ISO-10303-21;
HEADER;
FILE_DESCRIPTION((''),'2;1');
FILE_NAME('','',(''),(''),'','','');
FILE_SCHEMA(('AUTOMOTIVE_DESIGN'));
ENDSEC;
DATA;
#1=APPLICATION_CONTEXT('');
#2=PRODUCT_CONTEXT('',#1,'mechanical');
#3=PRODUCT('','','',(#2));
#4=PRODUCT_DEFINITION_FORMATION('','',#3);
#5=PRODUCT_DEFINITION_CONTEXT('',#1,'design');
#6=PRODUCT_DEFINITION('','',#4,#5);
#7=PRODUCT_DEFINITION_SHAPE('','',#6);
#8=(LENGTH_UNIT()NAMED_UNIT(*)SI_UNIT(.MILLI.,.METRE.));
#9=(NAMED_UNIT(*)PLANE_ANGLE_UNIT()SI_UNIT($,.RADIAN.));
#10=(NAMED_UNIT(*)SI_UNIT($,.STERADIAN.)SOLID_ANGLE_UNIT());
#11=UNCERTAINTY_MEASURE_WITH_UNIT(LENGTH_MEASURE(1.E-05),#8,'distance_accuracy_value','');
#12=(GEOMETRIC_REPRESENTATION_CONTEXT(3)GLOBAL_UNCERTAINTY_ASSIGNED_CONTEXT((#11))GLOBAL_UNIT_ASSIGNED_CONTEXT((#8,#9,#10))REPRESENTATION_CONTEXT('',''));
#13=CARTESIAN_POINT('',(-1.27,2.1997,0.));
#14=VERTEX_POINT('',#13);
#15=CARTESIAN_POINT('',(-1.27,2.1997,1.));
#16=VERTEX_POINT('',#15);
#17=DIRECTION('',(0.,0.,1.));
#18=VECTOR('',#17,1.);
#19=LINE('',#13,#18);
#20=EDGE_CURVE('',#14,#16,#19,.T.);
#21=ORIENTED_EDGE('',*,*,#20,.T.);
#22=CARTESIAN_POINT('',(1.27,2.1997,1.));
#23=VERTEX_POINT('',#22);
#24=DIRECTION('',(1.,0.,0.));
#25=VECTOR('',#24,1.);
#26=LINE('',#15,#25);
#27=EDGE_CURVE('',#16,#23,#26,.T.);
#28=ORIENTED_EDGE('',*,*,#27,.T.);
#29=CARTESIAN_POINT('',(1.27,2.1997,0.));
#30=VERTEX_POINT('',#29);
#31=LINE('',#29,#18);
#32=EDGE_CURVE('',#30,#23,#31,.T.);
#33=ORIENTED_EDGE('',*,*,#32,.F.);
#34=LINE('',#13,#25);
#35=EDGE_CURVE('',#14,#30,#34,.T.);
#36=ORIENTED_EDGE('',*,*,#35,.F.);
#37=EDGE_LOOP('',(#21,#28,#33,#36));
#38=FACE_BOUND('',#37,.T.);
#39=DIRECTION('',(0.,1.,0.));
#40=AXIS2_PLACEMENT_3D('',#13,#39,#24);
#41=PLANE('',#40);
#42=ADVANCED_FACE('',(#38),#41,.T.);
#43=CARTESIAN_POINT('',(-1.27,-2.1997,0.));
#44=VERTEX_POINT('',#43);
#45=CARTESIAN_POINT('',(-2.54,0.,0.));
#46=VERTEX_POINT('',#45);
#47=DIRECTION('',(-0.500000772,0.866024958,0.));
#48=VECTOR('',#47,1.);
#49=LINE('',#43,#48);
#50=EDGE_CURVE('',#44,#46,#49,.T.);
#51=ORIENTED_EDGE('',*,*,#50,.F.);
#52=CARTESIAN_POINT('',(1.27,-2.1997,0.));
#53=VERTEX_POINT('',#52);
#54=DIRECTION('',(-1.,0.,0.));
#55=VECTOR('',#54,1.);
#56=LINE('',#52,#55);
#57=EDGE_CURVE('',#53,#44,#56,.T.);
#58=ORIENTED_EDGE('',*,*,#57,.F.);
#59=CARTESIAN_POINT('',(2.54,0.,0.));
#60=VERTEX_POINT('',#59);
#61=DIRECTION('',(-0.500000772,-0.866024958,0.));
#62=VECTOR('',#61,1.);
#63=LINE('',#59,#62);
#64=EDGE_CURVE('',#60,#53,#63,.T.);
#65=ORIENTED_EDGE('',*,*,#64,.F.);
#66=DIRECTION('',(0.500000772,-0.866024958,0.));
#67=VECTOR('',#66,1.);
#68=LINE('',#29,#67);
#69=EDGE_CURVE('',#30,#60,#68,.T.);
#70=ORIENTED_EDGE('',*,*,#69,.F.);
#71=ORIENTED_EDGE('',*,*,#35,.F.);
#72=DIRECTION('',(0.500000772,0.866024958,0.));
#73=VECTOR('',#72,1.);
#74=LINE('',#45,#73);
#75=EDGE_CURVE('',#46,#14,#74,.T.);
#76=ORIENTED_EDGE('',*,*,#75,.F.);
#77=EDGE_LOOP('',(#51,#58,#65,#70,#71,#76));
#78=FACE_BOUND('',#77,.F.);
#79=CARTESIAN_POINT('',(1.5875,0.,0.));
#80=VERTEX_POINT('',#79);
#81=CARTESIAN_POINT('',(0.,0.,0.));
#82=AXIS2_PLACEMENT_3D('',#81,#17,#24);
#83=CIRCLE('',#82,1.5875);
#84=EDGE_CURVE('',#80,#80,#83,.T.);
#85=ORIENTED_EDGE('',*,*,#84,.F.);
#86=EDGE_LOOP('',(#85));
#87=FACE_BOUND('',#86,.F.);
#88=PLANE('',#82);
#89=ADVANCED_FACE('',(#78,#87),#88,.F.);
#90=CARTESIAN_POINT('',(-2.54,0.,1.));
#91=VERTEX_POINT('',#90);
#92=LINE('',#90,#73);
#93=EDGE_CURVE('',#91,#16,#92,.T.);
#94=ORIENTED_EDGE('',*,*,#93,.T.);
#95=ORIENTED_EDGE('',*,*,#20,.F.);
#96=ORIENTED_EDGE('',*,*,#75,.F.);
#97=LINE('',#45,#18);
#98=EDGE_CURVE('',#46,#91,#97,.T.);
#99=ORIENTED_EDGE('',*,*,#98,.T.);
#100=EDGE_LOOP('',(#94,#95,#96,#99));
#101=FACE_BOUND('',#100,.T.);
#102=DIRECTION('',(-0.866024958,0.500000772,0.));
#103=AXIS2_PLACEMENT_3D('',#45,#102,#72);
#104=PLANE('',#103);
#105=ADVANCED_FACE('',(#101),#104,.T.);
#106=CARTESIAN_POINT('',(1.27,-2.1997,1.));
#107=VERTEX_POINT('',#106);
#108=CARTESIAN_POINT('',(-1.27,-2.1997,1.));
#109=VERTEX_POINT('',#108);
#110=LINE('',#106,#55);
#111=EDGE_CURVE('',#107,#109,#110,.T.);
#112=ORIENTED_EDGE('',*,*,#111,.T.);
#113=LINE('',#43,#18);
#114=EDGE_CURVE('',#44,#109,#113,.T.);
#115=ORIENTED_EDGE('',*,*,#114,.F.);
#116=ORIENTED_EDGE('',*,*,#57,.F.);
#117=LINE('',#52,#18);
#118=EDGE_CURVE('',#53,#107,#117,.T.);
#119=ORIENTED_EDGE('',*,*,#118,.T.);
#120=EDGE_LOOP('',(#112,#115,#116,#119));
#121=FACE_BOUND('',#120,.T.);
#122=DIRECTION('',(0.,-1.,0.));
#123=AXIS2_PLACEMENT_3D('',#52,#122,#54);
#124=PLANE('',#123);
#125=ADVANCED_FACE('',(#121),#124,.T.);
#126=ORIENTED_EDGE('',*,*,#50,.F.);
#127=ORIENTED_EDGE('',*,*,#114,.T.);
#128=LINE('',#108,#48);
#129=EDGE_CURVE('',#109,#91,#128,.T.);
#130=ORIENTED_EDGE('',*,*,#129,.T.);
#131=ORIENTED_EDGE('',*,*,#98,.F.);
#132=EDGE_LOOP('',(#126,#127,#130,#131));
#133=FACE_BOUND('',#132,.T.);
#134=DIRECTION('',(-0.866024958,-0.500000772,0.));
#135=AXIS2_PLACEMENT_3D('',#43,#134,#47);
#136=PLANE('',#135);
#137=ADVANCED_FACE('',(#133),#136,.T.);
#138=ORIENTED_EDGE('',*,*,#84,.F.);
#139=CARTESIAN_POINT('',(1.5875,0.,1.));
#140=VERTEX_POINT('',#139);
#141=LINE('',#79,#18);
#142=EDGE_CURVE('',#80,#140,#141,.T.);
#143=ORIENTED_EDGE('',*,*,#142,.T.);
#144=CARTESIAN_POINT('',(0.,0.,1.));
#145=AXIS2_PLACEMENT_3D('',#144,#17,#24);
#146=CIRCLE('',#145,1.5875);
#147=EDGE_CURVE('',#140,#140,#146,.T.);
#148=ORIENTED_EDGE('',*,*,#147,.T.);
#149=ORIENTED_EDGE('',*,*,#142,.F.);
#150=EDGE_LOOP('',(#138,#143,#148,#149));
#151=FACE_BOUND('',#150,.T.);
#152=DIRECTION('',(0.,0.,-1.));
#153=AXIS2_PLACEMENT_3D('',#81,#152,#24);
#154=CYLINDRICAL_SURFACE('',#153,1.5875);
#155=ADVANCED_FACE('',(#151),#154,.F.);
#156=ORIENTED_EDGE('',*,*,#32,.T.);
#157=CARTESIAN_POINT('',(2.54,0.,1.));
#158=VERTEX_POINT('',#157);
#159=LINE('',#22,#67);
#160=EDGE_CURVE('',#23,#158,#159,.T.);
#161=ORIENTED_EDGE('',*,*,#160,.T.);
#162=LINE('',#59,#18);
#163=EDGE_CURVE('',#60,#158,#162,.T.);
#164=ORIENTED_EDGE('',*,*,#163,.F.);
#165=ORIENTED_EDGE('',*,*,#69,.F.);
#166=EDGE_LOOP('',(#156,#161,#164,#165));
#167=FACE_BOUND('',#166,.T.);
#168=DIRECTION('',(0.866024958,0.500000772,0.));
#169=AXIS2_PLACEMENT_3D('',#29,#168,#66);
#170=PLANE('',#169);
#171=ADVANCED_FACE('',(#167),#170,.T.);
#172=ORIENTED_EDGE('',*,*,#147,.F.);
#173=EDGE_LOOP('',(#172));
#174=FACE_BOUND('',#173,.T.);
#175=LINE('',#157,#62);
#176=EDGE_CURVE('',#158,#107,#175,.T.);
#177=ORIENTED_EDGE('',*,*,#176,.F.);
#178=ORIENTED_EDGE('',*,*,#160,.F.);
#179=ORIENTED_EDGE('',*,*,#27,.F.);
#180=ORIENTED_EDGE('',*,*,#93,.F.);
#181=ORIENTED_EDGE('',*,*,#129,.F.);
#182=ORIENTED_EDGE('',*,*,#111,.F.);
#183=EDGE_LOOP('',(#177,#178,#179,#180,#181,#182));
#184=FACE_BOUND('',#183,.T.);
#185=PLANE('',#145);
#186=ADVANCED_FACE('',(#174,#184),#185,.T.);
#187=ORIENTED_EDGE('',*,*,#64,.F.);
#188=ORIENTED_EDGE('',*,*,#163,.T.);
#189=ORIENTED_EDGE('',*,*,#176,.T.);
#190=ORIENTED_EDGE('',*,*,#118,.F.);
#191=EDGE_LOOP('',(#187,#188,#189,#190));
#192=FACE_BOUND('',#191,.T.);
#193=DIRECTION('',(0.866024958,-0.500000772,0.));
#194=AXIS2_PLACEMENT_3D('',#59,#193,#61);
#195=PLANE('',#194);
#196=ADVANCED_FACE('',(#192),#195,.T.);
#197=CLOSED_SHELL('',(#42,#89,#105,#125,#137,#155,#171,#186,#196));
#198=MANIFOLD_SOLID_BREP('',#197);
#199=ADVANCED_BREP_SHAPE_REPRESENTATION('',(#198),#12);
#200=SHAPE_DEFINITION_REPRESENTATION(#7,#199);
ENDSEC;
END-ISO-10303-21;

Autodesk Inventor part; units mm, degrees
ref_plane "YZ Plane" through (0, 0, 0) normal (1, 0, 0) x (0, 1, 0)
ref_plane "XZ Plane" through (0, 0, 0) normal (0, 1, 0) x (-1, 0, 0)
ref_plane "XY Plane" through (0, 0, 0) normal (0, 0, 1) x (1, 0, 0)
sketch "Sketch1" plane through (0, 0, 0) normal (0, 0, 1) x (1, 0, 0)
  line L0 (2.54, 0) -> (1.27, -2.1997)
  line L1 (1.27, -2.1997) -> (-1.27, -2.1997)
  line L2 (-1.27, -2.1997) -> (-2.54, 0)
  line L3 (-2.54, 0) -> (-1.27, 2.1997)
  line L4 (-1.27, 2.1997) -> (1.27, 2.1997)
  line L5 (1.27, 2.1997) -> (2.54, 0)
  circle A0 centre (0, 0) radius 1.5875
  dimension "d0" = 5.08
  dimension "d1" = 3.175
extrude "Extrusion1" add sketch "Sketch1" along normal blind 1
thread "Thread1" size "5-40 UNC" class "2B" standard "ANSI Unified Screw Threads" full length
properties part number "Pedal Bar Nut"
